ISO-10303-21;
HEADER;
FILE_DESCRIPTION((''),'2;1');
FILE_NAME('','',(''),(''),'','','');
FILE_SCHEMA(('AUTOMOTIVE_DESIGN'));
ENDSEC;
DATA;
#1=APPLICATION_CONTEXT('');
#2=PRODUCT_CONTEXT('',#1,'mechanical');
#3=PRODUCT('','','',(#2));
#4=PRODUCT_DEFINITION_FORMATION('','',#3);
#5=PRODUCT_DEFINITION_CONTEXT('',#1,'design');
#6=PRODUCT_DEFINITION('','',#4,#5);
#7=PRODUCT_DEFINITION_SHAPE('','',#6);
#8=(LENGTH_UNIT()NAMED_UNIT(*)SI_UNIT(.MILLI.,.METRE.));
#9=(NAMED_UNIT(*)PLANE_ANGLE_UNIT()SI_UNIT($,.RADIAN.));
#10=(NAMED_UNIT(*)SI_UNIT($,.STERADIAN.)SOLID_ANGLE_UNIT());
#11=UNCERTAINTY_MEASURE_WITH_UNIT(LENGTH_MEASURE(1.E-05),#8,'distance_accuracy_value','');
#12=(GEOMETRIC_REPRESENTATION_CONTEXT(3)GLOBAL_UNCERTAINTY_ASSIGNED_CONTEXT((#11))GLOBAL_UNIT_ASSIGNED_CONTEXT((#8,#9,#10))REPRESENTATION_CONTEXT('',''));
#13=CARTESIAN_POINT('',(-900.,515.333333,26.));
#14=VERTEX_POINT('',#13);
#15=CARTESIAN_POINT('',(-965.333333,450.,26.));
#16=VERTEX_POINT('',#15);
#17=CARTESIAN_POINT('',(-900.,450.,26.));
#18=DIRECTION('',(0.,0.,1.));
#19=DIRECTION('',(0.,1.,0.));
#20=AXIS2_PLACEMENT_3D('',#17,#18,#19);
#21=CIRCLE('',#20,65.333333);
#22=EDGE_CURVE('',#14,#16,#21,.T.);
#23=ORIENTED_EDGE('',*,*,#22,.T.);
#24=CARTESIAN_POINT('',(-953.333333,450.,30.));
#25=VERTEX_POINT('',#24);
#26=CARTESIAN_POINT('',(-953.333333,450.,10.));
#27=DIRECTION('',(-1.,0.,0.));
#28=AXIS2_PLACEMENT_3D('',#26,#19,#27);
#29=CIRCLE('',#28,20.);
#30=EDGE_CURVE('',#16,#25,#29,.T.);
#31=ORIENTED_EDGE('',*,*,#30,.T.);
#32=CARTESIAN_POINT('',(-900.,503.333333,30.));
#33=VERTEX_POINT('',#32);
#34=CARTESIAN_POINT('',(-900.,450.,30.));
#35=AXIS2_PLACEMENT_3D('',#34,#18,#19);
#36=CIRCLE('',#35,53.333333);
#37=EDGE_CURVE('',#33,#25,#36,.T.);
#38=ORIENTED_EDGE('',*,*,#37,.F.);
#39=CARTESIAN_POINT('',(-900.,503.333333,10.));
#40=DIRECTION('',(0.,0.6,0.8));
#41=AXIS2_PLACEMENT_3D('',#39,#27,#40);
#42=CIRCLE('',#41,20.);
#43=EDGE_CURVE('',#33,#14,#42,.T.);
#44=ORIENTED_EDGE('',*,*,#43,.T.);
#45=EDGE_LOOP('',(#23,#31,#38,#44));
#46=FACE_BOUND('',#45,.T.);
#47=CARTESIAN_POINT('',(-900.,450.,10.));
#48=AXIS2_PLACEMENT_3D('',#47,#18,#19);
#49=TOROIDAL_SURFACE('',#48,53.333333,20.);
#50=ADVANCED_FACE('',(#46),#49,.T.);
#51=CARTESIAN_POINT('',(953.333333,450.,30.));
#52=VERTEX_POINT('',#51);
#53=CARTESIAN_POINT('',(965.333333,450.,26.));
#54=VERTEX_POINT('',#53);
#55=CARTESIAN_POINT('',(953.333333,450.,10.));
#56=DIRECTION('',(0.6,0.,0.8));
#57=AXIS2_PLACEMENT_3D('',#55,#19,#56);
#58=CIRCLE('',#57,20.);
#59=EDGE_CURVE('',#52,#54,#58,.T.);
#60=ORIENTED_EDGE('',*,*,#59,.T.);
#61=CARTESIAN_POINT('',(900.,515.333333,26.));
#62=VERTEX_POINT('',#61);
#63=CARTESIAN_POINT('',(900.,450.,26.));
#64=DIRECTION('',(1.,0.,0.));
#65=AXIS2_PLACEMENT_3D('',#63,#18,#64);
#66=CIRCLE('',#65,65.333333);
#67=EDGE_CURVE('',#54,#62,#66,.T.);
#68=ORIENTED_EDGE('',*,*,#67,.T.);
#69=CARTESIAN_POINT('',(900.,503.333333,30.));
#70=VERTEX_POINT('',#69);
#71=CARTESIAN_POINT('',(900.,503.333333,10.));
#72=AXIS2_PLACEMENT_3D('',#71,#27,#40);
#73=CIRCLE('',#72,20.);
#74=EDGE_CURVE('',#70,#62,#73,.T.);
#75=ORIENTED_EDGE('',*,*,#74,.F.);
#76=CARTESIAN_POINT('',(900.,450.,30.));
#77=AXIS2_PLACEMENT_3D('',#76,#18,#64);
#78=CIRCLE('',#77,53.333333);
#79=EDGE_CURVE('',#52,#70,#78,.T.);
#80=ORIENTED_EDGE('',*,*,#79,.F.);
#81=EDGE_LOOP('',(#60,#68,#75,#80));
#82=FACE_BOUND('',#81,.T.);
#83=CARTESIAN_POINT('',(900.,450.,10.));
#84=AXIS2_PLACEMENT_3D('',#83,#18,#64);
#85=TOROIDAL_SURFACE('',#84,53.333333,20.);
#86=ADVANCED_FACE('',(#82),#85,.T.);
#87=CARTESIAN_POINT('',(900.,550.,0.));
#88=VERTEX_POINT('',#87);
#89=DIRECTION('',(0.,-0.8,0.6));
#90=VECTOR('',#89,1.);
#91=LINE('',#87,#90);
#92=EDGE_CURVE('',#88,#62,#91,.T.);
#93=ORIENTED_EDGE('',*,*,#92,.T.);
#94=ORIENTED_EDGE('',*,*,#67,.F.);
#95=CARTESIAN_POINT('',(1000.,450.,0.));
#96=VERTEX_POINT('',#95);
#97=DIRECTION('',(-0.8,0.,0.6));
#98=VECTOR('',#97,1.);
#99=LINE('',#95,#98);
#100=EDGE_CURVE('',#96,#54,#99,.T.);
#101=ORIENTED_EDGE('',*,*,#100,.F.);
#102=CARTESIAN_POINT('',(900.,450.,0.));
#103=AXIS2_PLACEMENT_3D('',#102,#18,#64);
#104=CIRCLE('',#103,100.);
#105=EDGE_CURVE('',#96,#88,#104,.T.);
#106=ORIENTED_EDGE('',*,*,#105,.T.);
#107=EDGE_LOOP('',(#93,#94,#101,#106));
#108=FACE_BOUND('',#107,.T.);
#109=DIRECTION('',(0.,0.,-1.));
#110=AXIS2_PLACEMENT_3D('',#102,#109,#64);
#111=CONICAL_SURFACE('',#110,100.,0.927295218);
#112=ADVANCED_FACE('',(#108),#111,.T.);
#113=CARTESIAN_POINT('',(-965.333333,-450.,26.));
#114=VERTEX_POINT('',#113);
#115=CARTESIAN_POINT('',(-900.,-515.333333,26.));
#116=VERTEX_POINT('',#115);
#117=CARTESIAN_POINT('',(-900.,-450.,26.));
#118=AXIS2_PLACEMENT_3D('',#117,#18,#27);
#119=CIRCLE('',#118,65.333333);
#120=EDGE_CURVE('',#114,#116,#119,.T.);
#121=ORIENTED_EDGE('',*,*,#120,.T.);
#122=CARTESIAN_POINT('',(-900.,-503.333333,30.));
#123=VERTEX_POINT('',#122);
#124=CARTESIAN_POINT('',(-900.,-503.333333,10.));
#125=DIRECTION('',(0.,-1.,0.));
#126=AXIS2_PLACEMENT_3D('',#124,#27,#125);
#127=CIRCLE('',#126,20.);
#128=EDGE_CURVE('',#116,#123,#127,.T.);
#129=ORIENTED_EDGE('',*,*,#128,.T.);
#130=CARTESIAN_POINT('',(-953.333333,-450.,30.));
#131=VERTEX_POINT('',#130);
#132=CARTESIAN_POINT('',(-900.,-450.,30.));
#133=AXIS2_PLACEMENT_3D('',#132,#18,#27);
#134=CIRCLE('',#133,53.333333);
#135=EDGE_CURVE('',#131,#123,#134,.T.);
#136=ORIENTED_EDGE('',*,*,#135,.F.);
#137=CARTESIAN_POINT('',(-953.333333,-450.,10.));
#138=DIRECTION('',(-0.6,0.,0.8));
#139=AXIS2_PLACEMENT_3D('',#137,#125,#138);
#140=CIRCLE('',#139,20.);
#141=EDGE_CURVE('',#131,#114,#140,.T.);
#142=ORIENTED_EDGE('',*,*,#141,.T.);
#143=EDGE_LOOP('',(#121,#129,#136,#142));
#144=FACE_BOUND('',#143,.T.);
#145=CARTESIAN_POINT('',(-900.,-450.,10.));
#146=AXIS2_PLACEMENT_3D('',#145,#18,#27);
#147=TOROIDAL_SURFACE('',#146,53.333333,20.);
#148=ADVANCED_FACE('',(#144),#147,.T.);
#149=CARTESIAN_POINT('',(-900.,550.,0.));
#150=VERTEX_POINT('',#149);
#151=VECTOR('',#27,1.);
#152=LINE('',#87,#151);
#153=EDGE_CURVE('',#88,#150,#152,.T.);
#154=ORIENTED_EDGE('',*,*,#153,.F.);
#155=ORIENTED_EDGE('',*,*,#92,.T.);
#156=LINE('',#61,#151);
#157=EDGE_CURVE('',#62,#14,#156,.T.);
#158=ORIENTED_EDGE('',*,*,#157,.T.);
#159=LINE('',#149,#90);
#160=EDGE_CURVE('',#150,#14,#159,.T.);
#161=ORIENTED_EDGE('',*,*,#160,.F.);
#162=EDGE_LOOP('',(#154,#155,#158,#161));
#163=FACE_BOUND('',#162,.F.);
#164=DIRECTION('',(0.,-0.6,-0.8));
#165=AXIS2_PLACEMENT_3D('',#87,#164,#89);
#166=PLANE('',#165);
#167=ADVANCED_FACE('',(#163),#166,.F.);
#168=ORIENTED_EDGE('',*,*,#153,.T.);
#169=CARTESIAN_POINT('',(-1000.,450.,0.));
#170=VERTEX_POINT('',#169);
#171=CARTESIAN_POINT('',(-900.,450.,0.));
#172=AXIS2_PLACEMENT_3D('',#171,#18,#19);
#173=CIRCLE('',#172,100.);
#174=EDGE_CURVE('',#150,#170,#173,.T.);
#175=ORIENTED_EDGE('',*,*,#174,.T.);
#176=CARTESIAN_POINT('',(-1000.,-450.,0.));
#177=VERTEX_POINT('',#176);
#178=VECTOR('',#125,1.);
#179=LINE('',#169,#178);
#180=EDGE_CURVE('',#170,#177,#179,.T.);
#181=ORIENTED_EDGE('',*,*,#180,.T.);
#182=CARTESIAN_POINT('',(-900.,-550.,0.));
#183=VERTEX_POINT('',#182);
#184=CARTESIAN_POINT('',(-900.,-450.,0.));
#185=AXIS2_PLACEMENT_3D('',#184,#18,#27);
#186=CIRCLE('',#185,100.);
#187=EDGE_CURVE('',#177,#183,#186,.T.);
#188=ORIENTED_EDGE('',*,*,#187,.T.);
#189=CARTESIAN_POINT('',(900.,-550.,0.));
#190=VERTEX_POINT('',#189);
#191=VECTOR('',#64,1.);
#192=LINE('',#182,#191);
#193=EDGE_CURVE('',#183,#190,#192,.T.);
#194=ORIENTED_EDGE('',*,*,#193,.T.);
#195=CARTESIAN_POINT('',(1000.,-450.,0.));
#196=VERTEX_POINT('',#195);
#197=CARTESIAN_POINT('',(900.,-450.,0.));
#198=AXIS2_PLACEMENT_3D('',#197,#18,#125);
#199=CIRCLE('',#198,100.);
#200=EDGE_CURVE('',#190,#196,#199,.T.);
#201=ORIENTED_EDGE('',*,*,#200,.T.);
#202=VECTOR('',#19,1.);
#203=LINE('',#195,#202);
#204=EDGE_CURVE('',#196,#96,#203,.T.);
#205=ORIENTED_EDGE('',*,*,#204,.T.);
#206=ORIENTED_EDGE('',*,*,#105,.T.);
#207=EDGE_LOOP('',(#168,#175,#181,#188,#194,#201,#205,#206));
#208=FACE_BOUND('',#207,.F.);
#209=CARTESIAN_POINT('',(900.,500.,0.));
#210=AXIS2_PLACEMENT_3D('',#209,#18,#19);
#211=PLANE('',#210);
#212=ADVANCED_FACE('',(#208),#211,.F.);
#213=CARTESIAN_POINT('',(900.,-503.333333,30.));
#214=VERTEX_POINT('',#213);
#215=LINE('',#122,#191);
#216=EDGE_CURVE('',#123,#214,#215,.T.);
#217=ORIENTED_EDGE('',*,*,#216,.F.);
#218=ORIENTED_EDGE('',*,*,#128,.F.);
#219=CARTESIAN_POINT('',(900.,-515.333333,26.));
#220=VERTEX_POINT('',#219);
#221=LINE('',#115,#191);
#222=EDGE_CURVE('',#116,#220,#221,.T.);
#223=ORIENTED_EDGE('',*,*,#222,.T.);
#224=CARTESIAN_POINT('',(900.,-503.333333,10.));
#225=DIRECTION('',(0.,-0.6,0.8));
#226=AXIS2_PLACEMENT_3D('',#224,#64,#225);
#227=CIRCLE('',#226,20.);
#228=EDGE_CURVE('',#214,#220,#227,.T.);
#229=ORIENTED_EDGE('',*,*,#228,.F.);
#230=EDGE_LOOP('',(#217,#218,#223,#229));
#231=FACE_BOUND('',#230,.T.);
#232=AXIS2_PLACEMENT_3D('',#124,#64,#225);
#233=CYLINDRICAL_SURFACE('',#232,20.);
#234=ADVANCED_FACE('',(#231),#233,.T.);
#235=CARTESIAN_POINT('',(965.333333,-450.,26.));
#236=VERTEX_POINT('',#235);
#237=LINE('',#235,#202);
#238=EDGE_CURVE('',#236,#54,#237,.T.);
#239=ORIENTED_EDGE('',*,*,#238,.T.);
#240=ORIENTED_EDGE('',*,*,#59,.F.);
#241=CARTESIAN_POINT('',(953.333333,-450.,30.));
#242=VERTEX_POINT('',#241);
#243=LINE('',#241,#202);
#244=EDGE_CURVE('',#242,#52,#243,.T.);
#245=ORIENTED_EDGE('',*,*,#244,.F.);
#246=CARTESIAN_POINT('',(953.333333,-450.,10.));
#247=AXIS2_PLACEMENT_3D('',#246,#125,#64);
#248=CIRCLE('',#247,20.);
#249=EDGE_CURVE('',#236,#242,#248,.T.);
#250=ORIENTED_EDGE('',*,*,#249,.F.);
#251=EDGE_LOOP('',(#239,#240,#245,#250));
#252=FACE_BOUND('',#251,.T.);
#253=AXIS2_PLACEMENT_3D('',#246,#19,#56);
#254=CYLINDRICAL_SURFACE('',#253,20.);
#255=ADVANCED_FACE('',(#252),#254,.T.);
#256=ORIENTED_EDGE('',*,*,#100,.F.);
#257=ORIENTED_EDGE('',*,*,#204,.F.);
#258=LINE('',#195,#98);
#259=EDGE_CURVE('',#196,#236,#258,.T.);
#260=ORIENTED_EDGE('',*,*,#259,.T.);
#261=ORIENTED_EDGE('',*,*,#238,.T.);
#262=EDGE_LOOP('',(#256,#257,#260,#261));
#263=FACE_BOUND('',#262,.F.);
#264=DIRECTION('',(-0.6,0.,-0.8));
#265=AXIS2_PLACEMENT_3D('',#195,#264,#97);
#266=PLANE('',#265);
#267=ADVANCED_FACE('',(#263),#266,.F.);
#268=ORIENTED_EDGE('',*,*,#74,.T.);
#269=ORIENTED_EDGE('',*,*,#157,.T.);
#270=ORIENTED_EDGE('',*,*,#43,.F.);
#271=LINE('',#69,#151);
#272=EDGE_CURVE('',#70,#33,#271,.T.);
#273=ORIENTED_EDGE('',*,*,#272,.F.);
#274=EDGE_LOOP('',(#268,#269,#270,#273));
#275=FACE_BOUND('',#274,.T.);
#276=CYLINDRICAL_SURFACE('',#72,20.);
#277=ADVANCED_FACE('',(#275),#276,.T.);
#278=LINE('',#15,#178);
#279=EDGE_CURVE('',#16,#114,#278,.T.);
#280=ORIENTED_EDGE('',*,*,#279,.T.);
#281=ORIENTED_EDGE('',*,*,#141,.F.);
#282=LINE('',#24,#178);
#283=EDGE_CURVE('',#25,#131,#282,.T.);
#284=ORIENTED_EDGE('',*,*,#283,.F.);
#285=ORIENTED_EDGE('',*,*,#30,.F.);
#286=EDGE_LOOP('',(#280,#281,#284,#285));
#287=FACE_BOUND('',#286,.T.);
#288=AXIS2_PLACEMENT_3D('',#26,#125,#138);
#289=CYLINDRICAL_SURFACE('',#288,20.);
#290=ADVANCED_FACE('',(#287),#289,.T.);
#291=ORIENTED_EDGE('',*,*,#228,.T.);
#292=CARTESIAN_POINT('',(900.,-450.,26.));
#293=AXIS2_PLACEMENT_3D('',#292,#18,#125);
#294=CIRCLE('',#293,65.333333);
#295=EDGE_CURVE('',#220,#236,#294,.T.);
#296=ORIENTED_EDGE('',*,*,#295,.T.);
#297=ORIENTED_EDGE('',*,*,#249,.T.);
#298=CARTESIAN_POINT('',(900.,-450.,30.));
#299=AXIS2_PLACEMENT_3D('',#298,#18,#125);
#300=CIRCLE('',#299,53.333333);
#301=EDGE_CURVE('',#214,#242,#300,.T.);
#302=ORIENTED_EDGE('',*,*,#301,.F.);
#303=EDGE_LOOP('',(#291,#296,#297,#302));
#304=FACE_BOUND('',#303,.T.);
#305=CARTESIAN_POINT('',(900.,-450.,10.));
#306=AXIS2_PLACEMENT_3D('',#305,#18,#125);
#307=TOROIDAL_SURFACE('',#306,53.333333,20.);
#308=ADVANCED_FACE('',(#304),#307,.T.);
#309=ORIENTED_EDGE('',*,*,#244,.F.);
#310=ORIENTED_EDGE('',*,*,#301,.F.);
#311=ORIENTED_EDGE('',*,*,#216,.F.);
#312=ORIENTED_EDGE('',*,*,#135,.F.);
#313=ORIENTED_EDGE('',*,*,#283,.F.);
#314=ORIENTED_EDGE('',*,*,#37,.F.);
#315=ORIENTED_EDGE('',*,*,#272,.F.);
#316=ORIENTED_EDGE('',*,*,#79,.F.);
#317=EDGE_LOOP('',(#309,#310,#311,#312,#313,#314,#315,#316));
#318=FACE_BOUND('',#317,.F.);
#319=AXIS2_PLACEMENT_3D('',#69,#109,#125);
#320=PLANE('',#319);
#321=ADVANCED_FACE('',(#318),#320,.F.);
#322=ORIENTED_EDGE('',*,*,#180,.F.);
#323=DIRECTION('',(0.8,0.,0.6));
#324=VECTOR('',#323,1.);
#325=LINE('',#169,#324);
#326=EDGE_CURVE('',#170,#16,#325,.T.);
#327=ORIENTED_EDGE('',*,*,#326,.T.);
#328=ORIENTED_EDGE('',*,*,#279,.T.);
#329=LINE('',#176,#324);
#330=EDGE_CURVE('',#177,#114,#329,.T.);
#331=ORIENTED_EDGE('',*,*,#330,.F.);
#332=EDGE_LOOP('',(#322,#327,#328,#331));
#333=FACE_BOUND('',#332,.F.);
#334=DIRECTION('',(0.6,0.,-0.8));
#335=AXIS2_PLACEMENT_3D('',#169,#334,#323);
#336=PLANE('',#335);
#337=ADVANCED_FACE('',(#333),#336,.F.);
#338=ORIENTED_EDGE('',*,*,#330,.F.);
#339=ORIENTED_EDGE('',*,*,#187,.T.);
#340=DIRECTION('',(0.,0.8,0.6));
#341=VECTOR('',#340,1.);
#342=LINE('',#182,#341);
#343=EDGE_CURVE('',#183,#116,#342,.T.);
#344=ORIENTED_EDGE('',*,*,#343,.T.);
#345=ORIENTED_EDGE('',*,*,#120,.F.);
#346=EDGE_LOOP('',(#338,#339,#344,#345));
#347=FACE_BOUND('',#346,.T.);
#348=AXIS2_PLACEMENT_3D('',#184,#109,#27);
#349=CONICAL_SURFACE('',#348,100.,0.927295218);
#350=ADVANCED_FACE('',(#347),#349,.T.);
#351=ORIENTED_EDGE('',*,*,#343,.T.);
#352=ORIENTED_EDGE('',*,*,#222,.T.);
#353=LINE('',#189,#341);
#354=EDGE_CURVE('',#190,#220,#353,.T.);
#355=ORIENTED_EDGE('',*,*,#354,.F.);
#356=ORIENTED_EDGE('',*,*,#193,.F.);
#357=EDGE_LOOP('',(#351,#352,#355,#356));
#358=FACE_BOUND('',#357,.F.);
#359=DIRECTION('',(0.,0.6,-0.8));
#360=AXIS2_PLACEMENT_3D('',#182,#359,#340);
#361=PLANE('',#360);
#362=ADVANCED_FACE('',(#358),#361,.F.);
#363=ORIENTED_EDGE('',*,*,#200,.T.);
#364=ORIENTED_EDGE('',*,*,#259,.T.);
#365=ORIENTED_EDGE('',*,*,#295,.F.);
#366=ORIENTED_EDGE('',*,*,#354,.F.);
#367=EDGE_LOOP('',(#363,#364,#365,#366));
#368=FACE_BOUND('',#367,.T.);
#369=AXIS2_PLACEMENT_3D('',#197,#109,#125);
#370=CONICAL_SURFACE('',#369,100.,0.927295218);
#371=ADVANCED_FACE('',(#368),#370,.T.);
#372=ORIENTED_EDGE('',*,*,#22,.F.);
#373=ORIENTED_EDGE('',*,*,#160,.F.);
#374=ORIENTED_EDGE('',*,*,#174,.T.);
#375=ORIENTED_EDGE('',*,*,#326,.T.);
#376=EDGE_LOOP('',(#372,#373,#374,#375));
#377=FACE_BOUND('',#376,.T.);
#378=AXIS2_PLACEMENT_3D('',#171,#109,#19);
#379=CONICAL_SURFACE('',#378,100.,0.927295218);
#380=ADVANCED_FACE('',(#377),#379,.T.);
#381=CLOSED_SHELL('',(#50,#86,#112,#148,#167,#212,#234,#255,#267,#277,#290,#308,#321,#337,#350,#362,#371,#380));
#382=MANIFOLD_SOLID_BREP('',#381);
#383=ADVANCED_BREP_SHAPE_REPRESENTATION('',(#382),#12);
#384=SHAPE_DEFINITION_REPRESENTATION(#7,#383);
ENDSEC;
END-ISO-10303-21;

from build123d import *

# Parameters (mm, degrees)
F0_W     = 1900
F0_H     = 1000
F1_DEPTH = 30
F2_R     = 50


with BuildPart() as f1:
    # F0 (on Top) → F1 (new body)
    with BuildSketch(Plane.XY):
        Rectangle(F0_W, F0_H)
    extrude(amount=F1_DEPTH)

    # F2
    f2_edges = [f1.edges().sort_by_distance(p)[0] for p in [
        (-950, -500, 15),
        (-950, 500, 15),
        (950, -500, 15),
        (950, 500, 15),
    ]]
    fillet(f2_edges, radius=F2_R)

    # F6: sweep along a path in F5
    with BuildLine(Plane.XY.offset(30)) as f6_path:
        Line((900, 500), (-900, 500))
        ThreePointArc((-900, 500), (-935.3553390593, 485.3553390593), (-950, 450))
        Line((-950, 450), (-950, -450))
        ThreePointArc((-950, -450), (-935.3553390593, -485.3553390593), (-900, -500))
        Line((-900, -500), (900, -500))
        ThreePointArc((900, -500), (935.3553390593, -485.3553390593), (950, -450))
        Line((950, -450), (950, 450))
        ThreePointArc((950, 450), (935.3553390593, 485.3553390593), (900, 500))
    # F4 (on offset) → F6 (sweep)
    with BuildSketch(Plane.XZ.offset(450)):
        with BuildLine():
            Line((953.3333333333, 30), (950, 30))
            Line((950, 30), (950, 0))
            Line((950, 0), (1000, 0))
            Line((1000, 0), (965.3333333333, 26))
            ThreePointArc((965.3333333333, 26), (959.6578886537, 28.973665961), (953.3333333333, 30))
        make_face()
    sweep(path=f6_path.line)


solid = f1.part
